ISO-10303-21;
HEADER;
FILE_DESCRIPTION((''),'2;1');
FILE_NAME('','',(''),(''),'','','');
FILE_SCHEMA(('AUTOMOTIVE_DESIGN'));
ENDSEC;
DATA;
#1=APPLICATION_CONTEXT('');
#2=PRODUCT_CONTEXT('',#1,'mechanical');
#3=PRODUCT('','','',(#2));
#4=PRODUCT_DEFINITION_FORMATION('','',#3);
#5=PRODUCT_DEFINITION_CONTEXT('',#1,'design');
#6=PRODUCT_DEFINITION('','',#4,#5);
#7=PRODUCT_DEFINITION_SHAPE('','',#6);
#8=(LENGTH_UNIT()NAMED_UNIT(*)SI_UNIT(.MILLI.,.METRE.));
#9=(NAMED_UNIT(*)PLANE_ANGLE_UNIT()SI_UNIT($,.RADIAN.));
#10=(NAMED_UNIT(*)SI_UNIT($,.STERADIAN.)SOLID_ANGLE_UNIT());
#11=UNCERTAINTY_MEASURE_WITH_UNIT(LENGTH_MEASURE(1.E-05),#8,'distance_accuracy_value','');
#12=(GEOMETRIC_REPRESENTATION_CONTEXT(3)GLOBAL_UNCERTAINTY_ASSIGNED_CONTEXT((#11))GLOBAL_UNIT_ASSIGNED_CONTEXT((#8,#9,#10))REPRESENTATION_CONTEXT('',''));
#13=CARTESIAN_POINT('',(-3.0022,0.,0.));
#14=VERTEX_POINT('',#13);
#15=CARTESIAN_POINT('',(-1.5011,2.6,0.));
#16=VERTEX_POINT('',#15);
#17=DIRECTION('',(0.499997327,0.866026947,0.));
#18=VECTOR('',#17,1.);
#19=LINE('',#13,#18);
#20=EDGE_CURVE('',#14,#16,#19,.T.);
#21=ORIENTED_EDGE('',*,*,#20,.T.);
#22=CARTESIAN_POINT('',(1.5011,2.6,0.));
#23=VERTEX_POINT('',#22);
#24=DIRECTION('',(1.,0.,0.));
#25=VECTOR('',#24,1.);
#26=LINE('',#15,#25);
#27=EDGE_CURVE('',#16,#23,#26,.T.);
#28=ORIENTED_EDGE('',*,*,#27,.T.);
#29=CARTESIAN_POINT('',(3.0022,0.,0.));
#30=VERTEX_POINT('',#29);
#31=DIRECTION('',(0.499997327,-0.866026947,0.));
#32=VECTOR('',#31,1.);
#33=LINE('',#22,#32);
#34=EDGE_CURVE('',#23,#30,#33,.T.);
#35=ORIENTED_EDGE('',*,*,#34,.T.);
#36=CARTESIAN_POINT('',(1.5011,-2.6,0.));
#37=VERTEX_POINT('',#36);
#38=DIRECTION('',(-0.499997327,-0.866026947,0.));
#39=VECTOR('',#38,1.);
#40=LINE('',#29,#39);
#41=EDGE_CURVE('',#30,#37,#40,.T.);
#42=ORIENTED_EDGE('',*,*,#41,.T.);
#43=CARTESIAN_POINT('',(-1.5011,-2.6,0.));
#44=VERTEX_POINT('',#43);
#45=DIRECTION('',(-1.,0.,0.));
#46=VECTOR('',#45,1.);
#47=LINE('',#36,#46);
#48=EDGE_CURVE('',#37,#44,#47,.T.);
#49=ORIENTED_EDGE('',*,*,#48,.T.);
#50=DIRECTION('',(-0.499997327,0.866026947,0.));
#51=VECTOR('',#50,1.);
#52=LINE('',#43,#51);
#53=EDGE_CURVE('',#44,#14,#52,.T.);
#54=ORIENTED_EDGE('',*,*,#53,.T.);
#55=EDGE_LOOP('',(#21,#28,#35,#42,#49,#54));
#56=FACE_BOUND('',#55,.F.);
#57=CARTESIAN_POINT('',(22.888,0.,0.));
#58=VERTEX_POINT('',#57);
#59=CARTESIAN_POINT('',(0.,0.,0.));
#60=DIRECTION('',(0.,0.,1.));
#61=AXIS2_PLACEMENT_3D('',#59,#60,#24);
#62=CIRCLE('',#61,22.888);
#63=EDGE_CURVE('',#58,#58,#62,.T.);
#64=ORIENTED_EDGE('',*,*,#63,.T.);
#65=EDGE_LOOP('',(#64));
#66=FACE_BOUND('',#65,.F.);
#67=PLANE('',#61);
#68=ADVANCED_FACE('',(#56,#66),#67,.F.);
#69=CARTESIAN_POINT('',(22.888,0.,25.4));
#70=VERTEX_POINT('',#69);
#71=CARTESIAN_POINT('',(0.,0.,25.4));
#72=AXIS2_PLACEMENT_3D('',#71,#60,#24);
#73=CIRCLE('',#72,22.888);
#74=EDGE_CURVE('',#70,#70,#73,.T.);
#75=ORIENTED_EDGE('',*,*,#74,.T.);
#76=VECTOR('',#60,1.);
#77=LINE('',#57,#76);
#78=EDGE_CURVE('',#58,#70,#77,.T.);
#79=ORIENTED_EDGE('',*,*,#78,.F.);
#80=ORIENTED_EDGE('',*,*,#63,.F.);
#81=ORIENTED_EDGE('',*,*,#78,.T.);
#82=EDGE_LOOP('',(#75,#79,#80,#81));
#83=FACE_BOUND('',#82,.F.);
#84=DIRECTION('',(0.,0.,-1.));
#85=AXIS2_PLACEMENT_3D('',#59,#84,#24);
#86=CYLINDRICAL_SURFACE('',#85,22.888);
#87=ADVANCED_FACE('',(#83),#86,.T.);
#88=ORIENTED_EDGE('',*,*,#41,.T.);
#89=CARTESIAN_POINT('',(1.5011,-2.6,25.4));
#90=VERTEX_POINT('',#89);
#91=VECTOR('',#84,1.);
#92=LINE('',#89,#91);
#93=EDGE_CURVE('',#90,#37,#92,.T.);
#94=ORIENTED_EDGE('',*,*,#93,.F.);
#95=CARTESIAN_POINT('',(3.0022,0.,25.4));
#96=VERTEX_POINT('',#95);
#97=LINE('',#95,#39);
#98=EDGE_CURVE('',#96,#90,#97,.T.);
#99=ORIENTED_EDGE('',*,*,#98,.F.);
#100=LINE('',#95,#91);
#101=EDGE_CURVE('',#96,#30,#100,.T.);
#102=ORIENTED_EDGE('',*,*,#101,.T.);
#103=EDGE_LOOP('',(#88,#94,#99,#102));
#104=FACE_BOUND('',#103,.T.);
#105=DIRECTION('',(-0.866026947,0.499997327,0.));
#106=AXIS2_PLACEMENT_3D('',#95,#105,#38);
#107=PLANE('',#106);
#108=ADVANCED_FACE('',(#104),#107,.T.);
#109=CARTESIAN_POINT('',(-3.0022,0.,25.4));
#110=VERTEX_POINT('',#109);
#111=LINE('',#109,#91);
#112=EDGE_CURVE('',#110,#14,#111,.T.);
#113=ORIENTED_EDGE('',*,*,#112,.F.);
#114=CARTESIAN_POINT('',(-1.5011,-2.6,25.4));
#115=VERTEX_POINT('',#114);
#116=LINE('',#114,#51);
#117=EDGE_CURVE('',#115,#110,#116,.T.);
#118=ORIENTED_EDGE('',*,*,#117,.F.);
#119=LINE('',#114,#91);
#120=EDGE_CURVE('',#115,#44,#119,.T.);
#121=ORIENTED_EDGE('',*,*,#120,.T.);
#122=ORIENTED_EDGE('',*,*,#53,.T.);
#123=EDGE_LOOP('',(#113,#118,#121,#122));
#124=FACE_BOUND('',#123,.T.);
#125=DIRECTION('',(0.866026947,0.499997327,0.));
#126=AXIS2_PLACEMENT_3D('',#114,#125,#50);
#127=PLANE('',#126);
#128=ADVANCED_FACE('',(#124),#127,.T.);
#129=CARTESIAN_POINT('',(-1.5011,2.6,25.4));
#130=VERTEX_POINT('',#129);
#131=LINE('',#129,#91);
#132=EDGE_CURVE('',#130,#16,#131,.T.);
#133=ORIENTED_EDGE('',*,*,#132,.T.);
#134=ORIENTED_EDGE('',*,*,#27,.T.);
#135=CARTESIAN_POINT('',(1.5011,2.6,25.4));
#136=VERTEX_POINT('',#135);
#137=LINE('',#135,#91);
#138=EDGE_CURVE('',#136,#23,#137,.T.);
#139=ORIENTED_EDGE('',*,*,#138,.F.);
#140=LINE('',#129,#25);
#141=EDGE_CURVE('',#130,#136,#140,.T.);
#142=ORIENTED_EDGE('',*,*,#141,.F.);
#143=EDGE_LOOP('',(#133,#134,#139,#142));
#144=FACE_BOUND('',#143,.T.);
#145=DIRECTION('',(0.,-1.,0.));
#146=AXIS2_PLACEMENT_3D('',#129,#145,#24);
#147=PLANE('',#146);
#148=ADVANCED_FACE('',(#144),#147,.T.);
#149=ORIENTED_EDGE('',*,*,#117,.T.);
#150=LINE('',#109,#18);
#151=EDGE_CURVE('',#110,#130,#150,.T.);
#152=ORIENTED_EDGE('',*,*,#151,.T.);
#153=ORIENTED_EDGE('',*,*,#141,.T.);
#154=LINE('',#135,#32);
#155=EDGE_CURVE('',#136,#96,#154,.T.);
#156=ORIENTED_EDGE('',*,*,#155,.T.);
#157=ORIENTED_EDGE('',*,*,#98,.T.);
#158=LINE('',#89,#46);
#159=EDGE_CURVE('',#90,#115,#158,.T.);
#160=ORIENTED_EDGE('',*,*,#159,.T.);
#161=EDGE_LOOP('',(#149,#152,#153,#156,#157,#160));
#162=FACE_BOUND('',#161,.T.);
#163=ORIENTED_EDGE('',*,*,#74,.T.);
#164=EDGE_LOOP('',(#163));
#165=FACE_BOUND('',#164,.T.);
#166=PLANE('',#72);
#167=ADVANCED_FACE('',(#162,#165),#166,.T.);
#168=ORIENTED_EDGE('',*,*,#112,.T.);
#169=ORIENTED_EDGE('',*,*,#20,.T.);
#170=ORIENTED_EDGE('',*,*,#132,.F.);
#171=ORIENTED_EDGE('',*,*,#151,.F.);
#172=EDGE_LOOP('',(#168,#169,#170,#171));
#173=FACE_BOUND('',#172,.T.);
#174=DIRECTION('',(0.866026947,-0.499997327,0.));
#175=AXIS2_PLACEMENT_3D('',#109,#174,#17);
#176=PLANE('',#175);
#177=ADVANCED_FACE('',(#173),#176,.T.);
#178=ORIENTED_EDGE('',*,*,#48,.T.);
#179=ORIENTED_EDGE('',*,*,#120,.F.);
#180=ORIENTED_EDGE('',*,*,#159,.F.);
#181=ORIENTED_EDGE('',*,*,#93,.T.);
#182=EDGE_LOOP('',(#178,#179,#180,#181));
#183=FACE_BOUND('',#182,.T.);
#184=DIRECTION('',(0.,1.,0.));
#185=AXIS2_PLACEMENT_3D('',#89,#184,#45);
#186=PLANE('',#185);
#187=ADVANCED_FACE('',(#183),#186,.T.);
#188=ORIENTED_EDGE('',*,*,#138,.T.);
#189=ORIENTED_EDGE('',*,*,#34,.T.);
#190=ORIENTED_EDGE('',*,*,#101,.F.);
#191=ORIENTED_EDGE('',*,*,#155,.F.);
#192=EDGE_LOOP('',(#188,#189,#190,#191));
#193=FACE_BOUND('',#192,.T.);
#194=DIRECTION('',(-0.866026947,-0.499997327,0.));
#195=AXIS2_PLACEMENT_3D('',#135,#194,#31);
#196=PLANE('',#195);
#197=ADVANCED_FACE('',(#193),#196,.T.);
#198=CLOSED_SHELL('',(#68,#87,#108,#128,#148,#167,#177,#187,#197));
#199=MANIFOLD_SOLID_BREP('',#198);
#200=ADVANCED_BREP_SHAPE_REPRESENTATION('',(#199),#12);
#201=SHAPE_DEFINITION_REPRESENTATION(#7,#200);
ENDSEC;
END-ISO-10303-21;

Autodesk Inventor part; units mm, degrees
ref_plane "YZ Plane" through (0, 0, 0) normal (1, 0, 0) x (0, 1, 0)
ref_plane "XZ Plane" through (0, 0, 0) normal (0, 1, 0) x (-1, 0, 0)
ref_plane "XY Plane" through (0, 0, 0) normal (0, 0, 1) x (1, 0, 0)
sketch "Sketch1" plane through (0, 0, 0) normal (0, 0, 1) x (1, 0, 0)
  circle A0 centre (0, 0) radius 22.888
  dimension "d0" = 45.776
extrude "Extrusion1" add sketch "Sketch1" along normal blind 25.4
sketch "Sketch2" plane through (0, 0, 25.4) normal (0, 0, 1) x (1, 0, 0)
  circle A0 centre (0, 0) radius 2.6 construction
  line L0 (1.5011, 2.6) -> (3.0022, 0)
  line L1 (3.0022, 0) -> (1.5011, -2.6)
  line L2 (1.5011, -2.6) -> (-1.5011, -2.6)
  line L3 (-1.5011, -2.6) -> (-3.0022, 0)
  line L4 (-3.0022, 0) -> (-1.5011, 2.6)
  line L5 (-1.5011, 2.6) -> (1.5011, 2.6)
  point P0 (0, 2.6)
  dimension "d3" = 5.2
extrude "Extrusion2" cut sketch "Sketch2" against normal blind 25.4
properties part number "60mm Wheel Rim"
